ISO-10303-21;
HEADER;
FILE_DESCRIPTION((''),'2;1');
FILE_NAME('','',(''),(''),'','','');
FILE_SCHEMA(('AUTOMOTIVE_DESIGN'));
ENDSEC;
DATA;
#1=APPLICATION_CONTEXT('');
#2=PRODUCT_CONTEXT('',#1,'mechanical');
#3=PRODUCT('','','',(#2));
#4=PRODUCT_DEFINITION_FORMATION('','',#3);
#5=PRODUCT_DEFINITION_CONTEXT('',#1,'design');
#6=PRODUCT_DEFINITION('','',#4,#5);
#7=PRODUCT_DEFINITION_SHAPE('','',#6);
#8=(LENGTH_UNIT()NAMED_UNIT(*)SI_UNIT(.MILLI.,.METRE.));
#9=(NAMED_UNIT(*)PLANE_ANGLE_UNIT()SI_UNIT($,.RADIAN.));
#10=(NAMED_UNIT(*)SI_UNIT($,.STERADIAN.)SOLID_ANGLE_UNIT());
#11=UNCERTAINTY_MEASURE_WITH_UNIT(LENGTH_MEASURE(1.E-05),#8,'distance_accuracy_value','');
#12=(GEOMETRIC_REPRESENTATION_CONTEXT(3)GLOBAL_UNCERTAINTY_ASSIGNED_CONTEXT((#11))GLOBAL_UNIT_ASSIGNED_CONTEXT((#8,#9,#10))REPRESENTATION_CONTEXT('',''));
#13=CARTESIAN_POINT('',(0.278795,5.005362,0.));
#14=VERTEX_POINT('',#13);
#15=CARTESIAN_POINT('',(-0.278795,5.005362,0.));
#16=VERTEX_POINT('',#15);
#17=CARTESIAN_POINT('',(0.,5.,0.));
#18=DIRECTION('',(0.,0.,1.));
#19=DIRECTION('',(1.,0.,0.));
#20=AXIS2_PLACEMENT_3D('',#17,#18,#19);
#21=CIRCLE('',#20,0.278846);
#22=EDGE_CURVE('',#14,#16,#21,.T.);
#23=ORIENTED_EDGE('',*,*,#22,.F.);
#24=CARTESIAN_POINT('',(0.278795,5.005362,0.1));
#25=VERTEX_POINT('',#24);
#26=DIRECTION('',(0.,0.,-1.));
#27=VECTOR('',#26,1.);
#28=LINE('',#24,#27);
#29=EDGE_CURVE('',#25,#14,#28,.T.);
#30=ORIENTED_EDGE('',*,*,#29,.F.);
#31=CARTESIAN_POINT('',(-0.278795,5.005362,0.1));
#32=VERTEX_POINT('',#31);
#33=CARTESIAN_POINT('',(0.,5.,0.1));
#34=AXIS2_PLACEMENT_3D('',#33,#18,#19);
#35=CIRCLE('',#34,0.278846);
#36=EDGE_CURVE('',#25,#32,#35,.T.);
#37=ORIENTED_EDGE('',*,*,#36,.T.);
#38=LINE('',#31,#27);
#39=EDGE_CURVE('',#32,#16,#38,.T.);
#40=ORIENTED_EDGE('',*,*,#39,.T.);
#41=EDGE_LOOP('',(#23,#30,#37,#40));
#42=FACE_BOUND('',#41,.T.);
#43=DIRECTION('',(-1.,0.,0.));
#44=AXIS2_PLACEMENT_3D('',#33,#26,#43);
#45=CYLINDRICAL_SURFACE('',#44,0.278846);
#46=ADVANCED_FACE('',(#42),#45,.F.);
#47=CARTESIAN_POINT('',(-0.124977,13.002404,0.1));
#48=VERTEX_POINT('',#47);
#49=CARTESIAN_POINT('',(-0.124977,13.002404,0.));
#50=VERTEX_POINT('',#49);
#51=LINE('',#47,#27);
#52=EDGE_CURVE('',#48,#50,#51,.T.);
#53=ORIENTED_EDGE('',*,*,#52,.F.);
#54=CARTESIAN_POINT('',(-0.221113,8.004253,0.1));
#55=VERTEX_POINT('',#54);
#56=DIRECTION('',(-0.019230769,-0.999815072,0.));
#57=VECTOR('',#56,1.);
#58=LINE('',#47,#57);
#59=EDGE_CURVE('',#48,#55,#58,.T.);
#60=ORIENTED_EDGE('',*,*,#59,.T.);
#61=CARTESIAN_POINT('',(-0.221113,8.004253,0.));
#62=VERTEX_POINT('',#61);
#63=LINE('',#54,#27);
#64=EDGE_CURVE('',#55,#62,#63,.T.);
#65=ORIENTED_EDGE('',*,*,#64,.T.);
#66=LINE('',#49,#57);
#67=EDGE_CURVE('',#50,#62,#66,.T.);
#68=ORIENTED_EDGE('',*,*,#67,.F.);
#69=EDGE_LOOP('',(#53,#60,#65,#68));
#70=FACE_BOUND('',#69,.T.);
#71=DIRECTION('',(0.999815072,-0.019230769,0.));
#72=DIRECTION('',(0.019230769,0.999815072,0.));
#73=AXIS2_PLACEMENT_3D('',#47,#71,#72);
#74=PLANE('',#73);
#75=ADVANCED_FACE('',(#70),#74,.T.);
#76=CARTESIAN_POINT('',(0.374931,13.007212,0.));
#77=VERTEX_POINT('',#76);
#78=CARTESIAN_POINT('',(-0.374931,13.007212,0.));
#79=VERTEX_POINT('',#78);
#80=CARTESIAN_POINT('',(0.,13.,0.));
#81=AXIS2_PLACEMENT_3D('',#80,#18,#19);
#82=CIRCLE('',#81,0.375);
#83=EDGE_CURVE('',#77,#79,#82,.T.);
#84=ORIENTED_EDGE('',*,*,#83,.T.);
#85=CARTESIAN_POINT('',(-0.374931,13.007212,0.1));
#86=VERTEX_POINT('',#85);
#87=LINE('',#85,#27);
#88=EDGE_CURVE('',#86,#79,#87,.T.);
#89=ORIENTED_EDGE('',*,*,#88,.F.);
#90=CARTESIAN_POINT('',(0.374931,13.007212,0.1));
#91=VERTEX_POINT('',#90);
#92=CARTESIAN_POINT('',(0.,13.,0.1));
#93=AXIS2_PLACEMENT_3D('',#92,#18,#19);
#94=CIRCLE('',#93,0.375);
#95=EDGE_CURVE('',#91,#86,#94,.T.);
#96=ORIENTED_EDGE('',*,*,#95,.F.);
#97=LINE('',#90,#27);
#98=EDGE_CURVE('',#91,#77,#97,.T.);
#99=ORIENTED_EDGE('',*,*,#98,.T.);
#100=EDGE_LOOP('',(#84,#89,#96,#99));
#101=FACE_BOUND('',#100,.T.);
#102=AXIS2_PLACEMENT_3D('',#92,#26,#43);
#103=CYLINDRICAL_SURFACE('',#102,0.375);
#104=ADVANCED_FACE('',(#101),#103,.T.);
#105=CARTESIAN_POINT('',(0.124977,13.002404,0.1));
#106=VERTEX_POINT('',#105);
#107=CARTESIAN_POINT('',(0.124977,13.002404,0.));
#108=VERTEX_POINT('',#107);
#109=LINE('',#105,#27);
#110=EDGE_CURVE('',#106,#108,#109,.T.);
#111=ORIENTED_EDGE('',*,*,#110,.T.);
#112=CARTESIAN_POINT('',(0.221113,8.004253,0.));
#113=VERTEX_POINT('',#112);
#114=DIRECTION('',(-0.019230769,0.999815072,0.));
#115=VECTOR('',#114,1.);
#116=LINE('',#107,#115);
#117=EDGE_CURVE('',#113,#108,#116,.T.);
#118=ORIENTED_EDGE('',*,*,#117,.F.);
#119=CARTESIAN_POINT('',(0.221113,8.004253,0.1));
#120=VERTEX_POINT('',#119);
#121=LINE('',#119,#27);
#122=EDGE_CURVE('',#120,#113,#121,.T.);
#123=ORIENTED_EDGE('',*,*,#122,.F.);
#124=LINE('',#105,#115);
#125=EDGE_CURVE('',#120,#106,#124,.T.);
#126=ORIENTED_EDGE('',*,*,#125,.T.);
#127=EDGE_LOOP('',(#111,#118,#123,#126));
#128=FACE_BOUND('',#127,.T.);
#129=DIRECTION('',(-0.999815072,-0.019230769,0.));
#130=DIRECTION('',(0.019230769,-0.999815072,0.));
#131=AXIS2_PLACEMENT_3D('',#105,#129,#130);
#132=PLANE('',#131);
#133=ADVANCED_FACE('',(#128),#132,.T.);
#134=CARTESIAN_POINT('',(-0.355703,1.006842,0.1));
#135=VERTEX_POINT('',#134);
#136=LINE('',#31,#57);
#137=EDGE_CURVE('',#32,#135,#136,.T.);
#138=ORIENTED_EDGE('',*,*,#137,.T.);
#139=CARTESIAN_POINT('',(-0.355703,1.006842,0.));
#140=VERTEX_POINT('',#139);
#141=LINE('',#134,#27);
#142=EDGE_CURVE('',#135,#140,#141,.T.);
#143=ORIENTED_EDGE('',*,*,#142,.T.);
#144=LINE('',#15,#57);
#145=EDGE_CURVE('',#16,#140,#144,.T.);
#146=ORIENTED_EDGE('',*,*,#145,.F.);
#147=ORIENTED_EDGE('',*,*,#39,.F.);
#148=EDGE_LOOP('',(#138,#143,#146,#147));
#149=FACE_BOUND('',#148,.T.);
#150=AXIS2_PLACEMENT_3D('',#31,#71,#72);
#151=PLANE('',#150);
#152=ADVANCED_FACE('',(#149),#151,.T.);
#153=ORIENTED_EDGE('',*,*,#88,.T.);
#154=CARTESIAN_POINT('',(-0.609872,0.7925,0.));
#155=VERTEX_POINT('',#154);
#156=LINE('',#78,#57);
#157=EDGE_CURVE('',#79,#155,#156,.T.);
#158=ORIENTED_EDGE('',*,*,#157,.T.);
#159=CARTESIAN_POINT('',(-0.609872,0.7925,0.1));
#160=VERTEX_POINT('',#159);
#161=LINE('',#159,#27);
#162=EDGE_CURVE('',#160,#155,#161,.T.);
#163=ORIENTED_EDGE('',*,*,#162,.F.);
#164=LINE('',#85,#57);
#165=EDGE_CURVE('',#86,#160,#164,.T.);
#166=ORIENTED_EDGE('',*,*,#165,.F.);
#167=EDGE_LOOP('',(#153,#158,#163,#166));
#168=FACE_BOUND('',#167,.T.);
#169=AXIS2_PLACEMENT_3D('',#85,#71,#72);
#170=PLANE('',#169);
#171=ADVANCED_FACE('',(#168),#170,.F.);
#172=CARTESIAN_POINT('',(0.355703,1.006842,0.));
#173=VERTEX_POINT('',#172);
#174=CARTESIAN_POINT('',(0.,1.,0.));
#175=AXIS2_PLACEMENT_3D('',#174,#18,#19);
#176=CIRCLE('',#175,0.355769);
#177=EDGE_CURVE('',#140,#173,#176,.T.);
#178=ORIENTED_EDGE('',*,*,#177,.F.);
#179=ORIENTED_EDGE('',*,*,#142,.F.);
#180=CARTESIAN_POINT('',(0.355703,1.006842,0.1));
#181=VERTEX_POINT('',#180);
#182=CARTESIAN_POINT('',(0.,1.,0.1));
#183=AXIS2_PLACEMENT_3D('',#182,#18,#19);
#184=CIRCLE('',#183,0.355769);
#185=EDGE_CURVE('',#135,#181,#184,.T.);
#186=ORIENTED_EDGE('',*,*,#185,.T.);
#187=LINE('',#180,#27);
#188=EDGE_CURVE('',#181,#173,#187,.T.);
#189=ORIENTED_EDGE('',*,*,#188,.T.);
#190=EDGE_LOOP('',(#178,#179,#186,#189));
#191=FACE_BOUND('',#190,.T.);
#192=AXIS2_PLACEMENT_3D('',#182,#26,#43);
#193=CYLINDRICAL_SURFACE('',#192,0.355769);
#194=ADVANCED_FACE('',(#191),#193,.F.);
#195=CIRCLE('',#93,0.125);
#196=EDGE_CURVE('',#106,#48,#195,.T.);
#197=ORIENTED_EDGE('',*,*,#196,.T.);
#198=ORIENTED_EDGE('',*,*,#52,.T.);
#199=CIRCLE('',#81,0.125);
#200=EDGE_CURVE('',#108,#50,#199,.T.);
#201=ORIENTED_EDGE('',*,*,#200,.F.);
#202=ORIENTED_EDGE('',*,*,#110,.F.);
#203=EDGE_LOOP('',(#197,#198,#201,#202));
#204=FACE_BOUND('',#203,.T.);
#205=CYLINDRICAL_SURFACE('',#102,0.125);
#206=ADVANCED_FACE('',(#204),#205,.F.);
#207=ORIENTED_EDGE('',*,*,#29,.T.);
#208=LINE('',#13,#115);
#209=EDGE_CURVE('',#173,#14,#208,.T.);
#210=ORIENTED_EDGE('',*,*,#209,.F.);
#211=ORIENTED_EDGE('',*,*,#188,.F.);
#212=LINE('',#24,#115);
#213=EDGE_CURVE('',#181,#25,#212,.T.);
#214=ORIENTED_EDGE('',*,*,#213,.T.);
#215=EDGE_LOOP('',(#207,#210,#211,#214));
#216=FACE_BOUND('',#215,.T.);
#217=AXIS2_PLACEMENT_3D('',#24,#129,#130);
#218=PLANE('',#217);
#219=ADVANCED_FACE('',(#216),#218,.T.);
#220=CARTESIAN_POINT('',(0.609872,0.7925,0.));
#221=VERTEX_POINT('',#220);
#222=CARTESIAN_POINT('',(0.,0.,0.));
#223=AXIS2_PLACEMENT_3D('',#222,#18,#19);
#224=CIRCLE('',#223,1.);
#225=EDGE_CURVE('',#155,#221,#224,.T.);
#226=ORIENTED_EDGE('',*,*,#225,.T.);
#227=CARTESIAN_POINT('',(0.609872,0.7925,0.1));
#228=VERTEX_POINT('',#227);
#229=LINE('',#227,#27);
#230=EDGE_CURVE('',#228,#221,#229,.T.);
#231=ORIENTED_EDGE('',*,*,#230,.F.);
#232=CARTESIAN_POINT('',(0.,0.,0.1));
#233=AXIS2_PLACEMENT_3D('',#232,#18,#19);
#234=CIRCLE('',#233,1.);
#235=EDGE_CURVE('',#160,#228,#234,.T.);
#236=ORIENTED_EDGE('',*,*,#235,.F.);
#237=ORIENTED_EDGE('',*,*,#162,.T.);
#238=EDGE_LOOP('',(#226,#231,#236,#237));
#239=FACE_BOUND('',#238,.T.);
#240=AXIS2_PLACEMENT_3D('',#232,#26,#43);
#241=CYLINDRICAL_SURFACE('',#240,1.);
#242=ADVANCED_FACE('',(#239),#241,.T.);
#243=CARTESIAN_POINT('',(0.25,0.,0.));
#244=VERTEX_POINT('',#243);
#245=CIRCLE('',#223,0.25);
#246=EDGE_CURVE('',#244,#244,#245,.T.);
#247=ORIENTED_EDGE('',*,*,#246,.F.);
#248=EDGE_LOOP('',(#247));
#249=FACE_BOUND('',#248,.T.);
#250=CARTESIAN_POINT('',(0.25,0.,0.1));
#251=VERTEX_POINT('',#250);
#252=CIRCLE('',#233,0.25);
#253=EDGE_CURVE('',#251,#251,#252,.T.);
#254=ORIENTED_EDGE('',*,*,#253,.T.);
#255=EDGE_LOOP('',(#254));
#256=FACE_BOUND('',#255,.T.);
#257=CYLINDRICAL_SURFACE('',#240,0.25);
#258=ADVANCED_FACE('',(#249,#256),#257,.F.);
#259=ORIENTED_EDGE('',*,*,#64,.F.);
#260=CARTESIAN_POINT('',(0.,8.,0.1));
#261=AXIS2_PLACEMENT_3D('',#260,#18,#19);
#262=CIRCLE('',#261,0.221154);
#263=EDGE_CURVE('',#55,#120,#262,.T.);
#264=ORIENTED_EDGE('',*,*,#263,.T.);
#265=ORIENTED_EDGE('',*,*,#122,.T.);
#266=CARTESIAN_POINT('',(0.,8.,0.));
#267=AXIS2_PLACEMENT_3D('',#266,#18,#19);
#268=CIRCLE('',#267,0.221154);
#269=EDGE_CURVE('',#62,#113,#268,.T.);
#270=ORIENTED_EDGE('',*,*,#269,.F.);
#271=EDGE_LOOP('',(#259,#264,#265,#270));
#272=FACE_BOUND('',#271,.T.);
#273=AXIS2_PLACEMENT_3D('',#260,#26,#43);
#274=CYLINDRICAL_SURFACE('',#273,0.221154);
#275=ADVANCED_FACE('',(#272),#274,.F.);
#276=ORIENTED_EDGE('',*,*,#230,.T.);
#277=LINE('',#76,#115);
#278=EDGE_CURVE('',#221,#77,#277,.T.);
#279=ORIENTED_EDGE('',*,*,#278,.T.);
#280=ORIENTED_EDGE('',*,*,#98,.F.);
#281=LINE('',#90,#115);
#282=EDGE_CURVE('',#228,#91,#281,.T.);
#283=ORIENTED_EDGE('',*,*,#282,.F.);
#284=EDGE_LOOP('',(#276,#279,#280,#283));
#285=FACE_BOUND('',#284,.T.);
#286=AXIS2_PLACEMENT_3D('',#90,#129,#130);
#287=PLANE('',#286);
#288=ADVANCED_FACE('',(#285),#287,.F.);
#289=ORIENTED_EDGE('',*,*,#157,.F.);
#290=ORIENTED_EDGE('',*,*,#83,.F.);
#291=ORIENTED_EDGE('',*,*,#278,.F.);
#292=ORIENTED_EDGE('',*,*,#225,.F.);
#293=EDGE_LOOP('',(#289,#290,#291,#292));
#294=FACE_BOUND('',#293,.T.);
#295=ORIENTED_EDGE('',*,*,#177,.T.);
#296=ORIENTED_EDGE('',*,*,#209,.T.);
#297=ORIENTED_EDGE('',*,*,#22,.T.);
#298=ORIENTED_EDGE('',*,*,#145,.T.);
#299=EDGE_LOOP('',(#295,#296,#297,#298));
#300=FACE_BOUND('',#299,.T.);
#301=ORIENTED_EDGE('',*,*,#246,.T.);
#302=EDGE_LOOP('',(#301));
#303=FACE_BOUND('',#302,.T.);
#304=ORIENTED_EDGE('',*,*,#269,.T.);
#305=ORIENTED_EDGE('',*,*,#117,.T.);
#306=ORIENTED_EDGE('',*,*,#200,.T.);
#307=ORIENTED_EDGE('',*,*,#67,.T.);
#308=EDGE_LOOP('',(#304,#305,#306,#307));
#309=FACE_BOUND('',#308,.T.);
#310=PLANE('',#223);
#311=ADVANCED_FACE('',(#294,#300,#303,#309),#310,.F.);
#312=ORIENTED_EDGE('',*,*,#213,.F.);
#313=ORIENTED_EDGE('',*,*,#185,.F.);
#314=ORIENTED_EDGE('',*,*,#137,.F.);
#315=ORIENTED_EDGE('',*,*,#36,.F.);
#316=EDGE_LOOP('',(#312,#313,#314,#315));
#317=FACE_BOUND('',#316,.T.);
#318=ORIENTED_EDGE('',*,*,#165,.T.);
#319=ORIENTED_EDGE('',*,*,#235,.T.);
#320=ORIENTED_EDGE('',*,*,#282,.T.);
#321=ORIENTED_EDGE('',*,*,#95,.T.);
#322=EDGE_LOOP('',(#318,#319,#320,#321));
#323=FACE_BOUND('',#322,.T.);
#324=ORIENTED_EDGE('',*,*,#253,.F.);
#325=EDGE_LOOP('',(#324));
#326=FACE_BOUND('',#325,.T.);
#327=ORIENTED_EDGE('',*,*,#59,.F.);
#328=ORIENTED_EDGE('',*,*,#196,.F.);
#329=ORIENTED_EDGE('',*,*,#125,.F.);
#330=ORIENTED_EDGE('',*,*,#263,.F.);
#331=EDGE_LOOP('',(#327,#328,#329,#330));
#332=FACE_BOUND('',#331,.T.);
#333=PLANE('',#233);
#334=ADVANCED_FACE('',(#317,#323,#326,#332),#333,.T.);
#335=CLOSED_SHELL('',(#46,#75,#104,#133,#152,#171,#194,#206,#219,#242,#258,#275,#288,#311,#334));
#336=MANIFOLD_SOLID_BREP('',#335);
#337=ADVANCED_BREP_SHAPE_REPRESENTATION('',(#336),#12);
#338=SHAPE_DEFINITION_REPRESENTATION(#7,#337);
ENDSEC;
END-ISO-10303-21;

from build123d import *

# Parameters (mm, degrees)
SKETCH2_R          = 0.25
BASE_EXTRUDE_DEPTH = 0.1


with BuildPart() as part:
    # Sketch2 → Base-Extrude (new body)
    with BuildSketch(Plane.XY):
        with BuildLine():
            Line((0.374930652, 13.007211538), (0.609872405, 0.792499621))
            ThreePointArc((0.609872405, 0.792499621), (0, -1), (-0.609872405, 0.792499621))
            Line((-0.609872405, 0.792499621), (-0.374930652, 13.007211538))
            ThreePointArc((-0.374930652, 13.007211538), (0, 13.375), (0.374930652, 13.007211538))
        make_face()
        Circle(SKETCH2_R, mode=Mode.SUBTRACT)
        with BuildLine():
            Line((0.124976884, 13.002403846), (0.221112949, 8.004252959))
            ThreePointArc((0.221112949, 8.004252959), (0, 7.778846154), (-0.221112949, 8.004252959))
            Line((-0.221112949, 8.004252959), (-0.124976884, 13.002403846))
            ThreePointArc((-0.124976884, 13.002403846), (0, 13.125), (0.124976884, 13.002403846))
        make_face(mode=Mode.SUBTRACT)
        with BuildLine():
            Line((-0.278794587, 5.005362426), (-0.355703439, 1.006841716))
            ThreePointArc((-0.355703439, 1.006841716), (0, 0.644230769), (0.355703439, 1.006841716))
            Line((0.355703439, 1.006841716), (0.278794587, 5.005362426))
            ThreePointArc((0.278794587, 5.005362426), (0, 5.278846154), (-0.278794587, 5.005362426))
        make_face(mode=Mode.SUBTRACT)
    extrude(amount=BASE_EXTRUDE_DEPTH)


solid = part.part
